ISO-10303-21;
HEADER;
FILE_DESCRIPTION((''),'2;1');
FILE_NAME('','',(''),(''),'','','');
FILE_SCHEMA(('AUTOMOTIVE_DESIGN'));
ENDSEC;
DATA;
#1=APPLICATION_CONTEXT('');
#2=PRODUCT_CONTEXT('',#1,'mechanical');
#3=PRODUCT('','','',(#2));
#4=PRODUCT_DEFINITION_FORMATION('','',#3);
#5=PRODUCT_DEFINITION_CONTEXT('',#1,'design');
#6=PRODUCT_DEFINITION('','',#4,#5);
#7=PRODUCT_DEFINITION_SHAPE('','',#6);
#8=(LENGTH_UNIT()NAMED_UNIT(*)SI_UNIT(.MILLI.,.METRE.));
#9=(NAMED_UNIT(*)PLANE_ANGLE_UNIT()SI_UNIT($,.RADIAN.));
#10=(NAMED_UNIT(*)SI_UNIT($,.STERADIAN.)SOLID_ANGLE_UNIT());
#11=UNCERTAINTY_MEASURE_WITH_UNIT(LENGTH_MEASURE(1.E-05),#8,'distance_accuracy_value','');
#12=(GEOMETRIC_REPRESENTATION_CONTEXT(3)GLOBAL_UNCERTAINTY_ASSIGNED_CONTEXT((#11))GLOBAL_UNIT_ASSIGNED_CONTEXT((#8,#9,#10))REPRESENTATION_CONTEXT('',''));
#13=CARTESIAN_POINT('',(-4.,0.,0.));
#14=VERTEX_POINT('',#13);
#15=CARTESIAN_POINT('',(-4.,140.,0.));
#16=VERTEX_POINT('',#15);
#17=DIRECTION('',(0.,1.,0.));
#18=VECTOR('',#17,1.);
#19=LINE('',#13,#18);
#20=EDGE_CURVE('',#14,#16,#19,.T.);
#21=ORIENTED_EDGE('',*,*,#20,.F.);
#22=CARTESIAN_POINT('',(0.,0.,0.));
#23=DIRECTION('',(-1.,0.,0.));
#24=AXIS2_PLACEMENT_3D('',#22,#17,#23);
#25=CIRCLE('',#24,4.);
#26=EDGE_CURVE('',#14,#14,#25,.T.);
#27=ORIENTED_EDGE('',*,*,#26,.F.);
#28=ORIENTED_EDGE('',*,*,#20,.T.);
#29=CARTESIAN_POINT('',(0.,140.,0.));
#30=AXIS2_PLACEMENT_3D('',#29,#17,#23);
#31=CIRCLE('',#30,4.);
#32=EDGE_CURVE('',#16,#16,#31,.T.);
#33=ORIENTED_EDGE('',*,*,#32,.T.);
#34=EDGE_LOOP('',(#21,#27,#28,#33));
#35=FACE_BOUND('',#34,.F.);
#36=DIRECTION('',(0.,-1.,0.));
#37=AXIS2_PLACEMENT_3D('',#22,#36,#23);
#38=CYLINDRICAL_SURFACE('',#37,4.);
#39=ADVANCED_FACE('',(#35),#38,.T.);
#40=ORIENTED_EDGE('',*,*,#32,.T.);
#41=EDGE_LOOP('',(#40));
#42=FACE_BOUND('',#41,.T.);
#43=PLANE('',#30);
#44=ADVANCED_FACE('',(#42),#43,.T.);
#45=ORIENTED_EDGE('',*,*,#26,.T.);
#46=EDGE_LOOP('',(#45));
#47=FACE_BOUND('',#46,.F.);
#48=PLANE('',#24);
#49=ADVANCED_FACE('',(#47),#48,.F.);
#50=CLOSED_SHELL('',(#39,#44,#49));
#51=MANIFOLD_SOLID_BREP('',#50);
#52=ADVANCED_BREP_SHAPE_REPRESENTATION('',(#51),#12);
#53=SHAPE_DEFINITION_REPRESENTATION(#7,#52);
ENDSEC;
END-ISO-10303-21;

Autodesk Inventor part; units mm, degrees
ref_plane "YZ Plane" through (0, 0, 0) normal (1, 0, 0) x (0, 1, 0)
ref_plane "XZ Plane" through (0, 0, 0) normal (0, 1, 0) x (-1, 0, 0)
ref_plane "XY Plane" through (0, 0, 0) normal (0, 0, 1) x (1, 0, 0)
sketch "Sketch1" plane through (0, 0, 0) normal (0, 1, 0) x (-1, 0, 0)
  circle A0 centre (0, 0) radius 4
  dimension "d0" = 8
extrude "Extrusion1" add sketch "Sketch1" along normal blind 140
properties part number "140 mm m8"
